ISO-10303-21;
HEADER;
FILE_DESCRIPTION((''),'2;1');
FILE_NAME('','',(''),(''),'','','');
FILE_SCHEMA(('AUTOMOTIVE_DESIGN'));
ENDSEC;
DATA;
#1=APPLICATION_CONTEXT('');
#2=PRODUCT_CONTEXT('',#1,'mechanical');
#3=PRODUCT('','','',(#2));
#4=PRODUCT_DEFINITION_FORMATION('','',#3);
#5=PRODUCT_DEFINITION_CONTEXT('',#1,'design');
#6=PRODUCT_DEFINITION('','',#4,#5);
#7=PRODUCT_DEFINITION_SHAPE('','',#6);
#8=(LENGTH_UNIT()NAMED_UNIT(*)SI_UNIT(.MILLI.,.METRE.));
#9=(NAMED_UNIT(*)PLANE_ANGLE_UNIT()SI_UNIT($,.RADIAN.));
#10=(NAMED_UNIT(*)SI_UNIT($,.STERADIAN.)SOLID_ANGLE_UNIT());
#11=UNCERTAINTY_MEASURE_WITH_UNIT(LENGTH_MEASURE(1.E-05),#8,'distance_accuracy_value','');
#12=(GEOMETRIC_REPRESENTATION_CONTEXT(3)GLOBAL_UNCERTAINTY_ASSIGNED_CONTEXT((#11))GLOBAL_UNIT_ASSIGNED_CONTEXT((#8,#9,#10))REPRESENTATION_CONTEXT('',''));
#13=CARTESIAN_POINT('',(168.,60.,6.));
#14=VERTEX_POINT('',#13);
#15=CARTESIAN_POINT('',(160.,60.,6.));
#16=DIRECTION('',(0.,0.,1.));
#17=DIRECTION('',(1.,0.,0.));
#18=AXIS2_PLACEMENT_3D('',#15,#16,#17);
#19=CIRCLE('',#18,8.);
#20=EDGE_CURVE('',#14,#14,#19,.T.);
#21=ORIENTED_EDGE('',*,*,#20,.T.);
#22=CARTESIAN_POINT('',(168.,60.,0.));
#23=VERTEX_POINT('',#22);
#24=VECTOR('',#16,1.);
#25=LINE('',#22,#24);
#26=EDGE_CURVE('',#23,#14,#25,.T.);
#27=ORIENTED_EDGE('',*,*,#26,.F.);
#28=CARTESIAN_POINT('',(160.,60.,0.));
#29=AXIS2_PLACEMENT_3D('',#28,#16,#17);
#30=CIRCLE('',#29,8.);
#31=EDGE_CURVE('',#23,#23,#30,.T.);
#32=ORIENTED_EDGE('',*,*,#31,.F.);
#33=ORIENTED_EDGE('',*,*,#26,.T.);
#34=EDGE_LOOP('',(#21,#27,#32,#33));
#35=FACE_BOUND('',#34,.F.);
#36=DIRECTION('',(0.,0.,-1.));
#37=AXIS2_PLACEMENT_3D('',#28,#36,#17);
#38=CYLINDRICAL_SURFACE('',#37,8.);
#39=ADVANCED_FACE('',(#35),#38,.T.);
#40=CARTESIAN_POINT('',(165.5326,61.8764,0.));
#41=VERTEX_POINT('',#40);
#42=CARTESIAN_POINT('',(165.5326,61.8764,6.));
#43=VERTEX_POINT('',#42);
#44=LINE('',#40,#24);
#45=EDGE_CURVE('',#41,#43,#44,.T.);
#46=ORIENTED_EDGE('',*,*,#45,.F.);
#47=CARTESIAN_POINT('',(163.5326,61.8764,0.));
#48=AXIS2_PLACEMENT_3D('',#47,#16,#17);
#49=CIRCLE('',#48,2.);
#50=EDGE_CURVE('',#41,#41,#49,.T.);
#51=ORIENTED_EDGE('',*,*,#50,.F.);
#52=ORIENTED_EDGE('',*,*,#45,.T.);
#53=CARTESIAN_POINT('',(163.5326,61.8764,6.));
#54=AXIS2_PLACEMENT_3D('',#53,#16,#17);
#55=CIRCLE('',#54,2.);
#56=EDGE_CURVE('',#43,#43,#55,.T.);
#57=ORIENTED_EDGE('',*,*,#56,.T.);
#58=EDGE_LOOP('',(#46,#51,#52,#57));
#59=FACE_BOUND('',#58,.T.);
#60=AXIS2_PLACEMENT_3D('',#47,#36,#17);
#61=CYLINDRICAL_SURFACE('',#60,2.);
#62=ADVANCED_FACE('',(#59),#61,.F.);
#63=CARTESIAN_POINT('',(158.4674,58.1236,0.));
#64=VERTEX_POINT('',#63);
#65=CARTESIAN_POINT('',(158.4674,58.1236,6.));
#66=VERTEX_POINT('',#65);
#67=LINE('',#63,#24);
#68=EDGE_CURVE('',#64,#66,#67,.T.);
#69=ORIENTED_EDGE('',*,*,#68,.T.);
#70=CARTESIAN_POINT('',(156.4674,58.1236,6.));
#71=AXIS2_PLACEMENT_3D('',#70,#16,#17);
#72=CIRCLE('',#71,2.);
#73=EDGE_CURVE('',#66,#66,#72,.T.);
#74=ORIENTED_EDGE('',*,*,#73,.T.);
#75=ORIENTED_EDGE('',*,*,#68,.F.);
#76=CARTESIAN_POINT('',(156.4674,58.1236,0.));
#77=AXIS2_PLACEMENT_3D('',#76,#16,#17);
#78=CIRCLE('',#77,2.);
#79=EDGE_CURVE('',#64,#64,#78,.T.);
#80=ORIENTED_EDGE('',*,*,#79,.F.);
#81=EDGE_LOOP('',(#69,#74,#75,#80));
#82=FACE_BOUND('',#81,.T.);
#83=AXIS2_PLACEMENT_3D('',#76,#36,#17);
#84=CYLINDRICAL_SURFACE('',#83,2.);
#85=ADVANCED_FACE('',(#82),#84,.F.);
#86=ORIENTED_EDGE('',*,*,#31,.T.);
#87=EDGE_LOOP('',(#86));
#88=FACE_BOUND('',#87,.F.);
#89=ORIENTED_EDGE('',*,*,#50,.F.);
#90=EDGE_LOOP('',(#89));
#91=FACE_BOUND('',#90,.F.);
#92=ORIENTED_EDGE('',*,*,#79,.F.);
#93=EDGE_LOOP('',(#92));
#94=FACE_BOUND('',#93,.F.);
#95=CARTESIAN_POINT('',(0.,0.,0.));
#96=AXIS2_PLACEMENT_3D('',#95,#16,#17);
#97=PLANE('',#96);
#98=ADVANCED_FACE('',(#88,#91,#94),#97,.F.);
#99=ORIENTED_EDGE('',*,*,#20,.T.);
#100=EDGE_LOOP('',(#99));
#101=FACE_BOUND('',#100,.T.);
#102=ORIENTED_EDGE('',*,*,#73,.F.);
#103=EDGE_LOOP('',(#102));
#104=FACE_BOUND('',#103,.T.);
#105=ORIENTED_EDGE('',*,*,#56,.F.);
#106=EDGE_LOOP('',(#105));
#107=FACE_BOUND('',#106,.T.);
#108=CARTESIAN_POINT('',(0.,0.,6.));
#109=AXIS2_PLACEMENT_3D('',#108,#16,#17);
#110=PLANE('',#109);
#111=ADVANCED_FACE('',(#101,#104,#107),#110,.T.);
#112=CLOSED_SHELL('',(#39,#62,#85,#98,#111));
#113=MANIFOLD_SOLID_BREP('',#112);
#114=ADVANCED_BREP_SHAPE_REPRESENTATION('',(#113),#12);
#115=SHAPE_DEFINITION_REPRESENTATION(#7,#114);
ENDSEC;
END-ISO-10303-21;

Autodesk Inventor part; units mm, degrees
ref_plane "YZ Plane" through (0, 0, 0) normal (1, 0, 0) x (0, 1, 0)
ref_plane "XZ Plane" through (0, 0, 0) normal (0, 1, 0) x (-1, 0, 0)
ref_plane "XY Plane" through (0, 0, 0) normal (0, 0, 1) x (1, 0, 0)
sketch "スケッチ1" plane through (0, 0, 0) normal (0, 0, 1) x (1, 0, 0)
  circle A0 centre (160, 60) radius 4 construction
  circle A1 centre (160, 60) radius 8
  line L0 (161.8764, 56.4674) -> (158.1236, 63.5326) construction
  circle A2 centre (156.4674, 58.1236) radius 4 construction
  circle A3 centre (163.5326, 61.8764) radius 4 construction
  circle A4 centre (156.4674, 58.1236) radius 3
  circle A5 centre (163.5326, 61.8764) radius 3
  line L1 (156.4674, 58.1236) -> (163.5326, 61.8764) construction
  circle A6 centre (156.4674, 58.1236) radius 2
  circle A7 centre (163.5326, 61.8764) radius 2
  point P0 (160, 60)
  point P1 (160, 60)
  point P2 (160, 60)
  dimension "d5" = 16
  dimension "d6" = 8
  dimension "d7" = 6
  dimension "d8" = 6
  dimension "d9" = 4
  dimension "d10" = 4
extrude "押し出し1" add sketch "スケッチ1" along normal blind 6 contours A1 | A4 | A5
properties part number "原動節つなぎ" material "アルミニウム 2014-T4"
